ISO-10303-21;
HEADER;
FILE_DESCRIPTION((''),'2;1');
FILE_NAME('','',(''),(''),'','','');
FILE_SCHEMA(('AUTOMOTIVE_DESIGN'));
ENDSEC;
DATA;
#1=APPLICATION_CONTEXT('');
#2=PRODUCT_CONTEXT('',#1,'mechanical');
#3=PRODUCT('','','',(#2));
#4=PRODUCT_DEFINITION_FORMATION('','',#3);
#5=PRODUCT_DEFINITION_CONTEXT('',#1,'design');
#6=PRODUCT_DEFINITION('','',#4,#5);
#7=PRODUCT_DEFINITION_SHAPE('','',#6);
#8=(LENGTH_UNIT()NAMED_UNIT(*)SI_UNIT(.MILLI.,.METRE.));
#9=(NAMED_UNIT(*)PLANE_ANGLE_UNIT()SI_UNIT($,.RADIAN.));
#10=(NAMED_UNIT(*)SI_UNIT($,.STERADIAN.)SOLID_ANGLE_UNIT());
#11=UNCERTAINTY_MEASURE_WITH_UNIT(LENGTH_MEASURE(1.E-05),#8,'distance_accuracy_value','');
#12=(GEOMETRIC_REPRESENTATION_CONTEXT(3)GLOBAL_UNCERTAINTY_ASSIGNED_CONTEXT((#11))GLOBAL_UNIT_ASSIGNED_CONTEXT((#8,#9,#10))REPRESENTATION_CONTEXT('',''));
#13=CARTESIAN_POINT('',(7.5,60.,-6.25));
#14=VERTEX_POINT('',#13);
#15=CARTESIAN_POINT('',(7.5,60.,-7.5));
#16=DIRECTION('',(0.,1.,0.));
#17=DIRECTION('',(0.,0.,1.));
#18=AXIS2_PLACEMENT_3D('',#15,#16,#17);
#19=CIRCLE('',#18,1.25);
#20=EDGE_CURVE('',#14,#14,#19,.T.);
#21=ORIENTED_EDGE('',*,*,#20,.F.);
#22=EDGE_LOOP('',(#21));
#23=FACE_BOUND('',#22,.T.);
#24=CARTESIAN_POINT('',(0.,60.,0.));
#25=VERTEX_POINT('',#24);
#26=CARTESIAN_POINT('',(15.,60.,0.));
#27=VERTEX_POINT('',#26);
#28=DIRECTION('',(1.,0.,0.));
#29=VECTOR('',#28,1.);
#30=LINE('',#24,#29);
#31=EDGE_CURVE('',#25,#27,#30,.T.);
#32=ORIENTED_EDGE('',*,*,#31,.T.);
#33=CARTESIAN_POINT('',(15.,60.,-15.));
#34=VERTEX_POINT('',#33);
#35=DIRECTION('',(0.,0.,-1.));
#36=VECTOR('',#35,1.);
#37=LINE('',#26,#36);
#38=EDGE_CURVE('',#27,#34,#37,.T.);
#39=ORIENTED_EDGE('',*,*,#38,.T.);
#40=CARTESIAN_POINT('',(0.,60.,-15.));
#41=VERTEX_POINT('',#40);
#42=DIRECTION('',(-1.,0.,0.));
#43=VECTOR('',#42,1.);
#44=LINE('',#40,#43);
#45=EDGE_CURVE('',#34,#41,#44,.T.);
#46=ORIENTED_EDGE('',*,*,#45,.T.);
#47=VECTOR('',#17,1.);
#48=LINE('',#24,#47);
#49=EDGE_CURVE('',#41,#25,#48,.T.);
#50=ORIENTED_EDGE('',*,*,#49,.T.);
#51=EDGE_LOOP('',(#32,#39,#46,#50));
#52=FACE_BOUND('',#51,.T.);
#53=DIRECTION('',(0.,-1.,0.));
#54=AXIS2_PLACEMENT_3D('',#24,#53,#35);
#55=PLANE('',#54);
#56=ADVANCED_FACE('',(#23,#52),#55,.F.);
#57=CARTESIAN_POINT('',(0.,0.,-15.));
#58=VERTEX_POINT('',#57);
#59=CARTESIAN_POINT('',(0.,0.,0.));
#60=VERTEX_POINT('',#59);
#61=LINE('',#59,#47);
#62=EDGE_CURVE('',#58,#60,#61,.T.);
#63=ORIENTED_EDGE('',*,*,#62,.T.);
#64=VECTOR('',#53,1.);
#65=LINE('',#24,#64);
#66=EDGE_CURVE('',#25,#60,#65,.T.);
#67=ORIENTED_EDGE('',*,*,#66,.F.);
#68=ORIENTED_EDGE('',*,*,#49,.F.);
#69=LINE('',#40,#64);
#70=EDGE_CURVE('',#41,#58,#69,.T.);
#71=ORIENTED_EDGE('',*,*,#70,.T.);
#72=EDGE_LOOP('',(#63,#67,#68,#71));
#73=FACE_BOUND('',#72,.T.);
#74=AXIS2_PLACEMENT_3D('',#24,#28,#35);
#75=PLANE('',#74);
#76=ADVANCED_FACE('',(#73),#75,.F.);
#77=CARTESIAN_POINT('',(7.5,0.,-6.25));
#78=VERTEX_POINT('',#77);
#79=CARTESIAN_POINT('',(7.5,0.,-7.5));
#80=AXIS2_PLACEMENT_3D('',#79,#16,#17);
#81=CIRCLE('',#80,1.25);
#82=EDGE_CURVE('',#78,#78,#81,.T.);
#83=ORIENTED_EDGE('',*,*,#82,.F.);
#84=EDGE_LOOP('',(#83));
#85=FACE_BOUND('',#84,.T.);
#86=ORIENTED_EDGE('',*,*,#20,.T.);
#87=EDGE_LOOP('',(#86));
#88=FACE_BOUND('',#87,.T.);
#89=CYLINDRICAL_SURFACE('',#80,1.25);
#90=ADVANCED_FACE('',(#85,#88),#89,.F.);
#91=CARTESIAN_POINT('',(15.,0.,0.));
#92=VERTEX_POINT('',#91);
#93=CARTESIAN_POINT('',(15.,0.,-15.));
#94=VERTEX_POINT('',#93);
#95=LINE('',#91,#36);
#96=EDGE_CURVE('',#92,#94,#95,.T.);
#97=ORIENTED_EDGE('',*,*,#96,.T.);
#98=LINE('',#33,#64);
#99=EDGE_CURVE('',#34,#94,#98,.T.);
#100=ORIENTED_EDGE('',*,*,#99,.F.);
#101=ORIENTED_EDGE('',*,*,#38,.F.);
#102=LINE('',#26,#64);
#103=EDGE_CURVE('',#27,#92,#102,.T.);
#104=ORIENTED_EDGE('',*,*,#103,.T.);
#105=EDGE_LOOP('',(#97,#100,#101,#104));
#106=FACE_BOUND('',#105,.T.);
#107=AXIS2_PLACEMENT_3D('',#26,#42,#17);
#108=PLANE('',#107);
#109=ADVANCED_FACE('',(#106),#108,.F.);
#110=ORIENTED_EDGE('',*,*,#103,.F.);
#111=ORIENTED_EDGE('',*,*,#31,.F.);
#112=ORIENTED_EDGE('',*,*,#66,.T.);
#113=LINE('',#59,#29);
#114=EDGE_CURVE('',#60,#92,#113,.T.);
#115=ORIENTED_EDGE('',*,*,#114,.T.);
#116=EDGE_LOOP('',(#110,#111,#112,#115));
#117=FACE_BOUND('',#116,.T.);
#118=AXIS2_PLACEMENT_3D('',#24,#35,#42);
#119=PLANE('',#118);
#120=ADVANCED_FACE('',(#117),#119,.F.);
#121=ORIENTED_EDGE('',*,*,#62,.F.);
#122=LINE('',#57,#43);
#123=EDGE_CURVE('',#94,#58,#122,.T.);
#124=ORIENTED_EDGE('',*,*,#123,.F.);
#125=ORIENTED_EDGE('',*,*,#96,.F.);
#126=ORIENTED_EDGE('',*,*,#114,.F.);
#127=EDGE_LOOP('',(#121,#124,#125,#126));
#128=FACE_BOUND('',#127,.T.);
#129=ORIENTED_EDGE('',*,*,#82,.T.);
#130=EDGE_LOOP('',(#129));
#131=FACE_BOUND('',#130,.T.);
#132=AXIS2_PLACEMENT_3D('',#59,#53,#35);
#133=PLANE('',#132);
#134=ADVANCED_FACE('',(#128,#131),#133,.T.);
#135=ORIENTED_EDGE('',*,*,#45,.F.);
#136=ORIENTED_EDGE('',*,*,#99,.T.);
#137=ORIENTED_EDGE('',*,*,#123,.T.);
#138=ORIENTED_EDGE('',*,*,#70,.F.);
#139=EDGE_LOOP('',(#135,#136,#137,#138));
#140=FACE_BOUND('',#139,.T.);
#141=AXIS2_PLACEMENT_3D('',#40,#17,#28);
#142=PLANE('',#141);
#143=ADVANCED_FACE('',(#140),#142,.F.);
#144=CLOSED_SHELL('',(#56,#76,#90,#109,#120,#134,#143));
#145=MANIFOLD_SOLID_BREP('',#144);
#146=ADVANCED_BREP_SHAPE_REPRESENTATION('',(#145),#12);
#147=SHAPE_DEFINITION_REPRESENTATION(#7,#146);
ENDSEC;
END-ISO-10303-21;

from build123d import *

# Parameters (mm, degrees)
SKETCH1_W           = 15
SKETCH1_H           = 15
BOSS_EXTRUDE1_DEPTH = 60
SKETCH2_R           = 1.25
CUT_EXTRUDE1_DEPTH  = 61


with BuildPart() as part:
    # Sketch1 → Boss-Extrude1 (new body)
    with BuildSketch(Plane(origin=(0, 0, 0), x_dir=(1, 0, 0), z_dir=(0, 1, 0))):
        with Locations((7.5, 7.5)):
            Rectangle(SKETCH1_W, SKETCH1_H)
    extrude(amount=BOSS_EXTRUDE1_DEPTH)

    # Sketch2 → Cut-Extrude1 (cut, through all)
    with BuildSketch(Plane(origin=(0, 60, 0), x_dir=(1, 0, 0), z_dir=(0, 1, 0))):
        with Locations((7.5, 7.5)):
            Circle(SKETCH2_R)
    extrude(amount=-CUT_EXTRUDE1_DEPTH, mode=Mode.SUBTRACT)


solid = part.part
